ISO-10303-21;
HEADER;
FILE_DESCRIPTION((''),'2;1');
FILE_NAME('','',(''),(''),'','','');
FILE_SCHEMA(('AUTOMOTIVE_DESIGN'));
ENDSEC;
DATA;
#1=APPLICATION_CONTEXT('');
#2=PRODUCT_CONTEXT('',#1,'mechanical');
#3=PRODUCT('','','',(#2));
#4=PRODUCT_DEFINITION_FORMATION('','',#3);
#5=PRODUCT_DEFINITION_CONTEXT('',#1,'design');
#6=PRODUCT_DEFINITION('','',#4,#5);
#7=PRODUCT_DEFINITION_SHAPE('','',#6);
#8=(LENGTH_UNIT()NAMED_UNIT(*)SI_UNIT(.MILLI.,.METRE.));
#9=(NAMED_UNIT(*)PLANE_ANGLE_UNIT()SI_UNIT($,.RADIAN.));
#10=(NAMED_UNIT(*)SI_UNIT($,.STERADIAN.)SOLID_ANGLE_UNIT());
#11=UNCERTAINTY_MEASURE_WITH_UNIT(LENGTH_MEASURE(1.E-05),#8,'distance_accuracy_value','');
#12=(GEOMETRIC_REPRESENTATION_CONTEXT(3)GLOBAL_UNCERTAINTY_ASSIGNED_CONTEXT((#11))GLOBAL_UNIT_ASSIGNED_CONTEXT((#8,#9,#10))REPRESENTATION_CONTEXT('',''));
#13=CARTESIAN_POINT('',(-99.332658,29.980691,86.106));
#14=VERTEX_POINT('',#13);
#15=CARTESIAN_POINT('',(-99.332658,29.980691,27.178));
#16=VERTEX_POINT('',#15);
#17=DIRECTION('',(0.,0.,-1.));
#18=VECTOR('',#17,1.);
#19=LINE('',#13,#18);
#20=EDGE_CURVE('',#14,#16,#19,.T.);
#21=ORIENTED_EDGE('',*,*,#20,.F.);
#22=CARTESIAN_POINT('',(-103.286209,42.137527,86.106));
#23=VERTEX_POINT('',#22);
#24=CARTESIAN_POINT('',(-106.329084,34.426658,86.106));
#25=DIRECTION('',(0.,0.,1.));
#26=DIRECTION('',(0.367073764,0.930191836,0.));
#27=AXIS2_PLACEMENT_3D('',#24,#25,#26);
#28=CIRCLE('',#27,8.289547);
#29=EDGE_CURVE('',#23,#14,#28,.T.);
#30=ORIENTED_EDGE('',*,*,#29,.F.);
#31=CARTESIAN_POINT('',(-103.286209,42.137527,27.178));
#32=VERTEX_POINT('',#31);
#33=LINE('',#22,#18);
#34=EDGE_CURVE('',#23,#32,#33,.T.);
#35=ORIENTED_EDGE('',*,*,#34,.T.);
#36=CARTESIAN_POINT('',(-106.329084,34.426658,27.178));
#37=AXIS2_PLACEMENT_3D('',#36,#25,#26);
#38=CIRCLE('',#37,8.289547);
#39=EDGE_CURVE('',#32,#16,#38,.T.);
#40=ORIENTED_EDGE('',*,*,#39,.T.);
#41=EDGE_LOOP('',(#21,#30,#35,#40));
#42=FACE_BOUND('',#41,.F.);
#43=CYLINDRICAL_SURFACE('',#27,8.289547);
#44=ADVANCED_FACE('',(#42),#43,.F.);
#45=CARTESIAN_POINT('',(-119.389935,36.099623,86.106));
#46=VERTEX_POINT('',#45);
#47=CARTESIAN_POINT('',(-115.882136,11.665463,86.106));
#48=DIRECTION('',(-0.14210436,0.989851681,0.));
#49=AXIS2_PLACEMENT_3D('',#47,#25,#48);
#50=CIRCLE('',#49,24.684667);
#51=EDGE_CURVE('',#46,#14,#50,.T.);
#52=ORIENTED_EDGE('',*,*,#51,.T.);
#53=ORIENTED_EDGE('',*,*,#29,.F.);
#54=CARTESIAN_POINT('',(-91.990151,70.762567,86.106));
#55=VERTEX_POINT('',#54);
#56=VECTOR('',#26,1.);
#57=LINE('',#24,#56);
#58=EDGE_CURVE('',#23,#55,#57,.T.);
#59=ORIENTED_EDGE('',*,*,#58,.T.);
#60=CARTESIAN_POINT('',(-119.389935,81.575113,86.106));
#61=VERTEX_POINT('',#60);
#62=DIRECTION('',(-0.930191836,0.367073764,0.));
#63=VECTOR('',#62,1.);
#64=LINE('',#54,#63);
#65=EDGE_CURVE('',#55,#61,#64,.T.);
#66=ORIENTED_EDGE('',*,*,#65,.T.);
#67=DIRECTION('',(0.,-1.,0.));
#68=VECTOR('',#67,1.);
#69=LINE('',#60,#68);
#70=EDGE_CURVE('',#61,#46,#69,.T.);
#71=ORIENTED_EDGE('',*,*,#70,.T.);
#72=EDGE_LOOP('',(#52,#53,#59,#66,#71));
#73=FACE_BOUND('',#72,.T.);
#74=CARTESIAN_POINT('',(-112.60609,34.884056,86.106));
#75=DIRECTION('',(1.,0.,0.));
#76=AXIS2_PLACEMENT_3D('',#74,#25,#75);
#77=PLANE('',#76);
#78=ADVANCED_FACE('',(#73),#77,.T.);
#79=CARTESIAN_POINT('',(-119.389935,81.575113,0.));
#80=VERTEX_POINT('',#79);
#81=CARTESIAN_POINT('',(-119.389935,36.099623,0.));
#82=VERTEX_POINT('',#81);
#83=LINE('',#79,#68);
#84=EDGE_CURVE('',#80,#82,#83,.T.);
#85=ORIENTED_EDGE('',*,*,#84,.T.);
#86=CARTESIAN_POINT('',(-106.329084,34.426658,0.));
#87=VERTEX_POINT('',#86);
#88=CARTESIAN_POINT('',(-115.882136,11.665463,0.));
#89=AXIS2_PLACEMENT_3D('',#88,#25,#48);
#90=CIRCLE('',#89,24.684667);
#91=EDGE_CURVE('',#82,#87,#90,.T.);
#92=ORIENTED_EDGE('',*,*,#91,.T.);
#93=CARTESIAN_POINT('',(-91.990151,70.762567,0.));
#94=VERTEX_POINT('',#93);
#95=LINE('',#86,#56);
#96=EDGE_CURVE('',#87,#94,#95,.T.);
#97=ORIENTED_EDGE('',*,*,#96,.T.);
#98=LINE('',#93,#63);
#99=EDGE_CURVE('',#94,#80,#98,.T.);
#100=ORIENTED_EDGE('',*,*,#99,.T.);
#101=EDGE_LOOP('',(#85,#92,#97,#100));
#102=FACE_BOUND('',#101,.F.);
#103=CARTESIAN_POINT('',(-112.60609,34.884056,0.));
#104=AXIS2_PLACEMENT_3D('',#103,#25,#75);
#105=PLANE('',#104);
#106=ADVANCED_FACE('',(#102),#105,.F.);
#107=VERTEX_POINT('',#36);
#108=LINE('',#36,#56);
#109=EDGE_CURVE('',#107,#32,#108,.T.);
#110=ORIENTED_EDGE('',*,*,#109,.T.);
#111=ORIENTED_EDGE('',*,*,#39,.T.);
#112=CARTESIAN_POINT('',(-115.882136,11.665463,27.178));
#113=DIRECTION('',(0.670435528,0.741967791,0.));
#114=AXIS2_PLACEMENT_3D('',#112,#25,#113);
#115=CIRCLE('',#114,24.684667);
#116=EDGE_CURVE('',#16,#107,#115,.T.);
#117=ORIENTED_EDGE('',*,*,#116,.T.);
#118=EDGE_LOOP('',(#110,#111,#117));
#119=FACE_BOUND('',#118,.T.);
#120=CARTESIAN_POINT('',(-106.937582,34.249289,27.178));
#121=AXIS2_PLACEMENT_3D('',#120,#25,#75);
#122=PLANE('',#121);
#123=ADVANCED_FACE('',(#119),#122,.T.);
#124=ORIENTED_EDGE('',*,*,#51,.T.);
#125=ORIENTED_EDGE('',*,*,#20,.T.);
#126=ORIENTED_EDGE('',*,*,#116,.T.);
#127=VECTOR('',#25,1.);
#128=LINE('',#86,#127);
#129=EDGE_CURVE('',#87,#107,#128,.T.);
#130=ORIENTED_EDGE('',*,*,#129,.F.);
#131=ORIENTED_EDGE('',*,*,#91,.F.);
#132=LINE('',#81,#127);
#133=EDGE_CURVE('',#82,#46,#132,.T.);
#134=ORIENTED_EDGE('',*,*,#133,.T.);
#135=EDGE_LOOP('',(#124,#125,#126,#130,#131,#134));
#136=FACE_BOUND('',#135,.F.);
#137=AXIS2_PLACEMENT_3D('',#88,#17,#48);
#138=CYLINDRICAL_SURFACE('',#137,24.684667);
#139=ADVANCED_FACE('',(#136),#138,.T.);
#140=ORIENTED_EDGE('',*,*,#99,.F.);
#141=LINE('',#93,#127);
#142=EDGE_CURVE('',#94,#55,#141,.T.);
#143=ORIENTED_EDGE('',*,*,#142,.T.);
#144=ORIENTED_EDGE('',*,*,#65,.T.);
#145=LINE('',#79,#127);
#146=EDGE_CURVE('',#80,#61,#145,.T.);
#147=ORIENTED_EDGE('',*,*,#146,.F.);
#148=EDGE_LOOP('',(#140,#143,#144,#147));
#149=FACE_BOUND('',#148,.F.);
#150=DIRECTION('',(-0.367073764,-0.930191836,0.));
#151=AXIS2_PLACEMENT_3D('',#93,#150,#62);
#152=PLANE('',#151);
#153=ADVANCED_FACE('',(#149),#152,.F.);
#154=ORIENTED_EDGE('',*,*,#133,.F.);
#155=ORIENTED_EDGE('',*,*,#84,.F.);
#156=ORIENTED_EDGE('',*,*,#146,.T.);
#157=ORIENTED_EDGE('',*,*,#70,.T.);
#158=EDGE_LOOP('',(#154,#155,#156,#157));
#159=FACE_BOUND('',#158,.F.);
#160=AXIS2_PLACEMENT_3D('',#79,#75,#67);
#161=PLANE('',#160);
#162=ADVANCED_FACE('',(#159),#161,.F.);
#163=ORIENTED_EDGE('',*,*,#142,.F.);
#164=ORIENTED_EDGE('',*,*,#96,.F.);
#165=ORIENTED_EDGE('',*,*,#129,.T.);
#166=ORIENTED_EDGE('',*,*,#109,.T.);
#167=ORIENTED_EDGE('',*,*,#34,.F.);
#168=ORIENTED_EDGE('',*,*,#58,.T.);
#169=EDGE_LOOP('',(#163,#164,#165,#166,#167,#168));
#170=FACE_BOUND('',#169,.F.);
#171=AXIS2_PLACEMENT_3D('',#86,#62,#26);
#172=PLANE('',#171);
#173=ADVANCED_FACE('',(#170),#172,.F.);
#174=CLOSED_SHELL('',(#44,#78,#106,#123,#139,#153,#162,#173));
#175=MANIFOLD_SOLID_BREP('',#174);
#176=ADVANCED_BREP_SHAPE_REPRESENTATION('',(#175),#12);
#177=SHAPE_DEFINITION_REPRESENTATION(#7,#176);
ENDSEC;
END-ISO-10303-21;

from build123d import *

# Parameters (mm, degrees)
F1_DEPTH = 86.106
F3_DEPTH = 58.928


with BuildPart() as f1:
    # F0 (on Top) → F1 (new body)
    with BuildSketch(Plane.XY):
        with BuildLine():
            Line((-119.3899347218, 81.5751131241), (-119.3899347218, 36.099622529))
            ThreePointArc((-119.3899347218, 36.099622529), (-119.0183715142, -12.8191604773), (-106.3290840641, 34.4266581107))
            Line((-106.3290840641, 34.4266581107), (-91.9901505113, 70.7625672221))
            Line((-91.9901505113, 70.7625672221), (-119.3899347218, 81.5751131241))
        make_face()
    extrude(amount=F1_DEPTH)

    # F2 (on face) → F3 (cut)
    with BuildSketch(Plane.XY.offset(86.106)):
        with BuildLine():
            Line((-106.3290840641, 34.4266581107), (-103.2862087041, 42.1375274103))
            ThreePointArc((-103.2862087041, 42.1375274103), (-114.2122343511, 31.8629620744), (-99.3326582188, 29.9806912638))
            ThreePointArc((-99.3326582188, 29.9806912638), (-102.6429075582, 32.4994648534), (-106.3290840641, 34.4266581107))
        make_face()
    extrude(amount=-F3_DEPTH, mode=Mode.SUBTRACT)


solid = f1.part
